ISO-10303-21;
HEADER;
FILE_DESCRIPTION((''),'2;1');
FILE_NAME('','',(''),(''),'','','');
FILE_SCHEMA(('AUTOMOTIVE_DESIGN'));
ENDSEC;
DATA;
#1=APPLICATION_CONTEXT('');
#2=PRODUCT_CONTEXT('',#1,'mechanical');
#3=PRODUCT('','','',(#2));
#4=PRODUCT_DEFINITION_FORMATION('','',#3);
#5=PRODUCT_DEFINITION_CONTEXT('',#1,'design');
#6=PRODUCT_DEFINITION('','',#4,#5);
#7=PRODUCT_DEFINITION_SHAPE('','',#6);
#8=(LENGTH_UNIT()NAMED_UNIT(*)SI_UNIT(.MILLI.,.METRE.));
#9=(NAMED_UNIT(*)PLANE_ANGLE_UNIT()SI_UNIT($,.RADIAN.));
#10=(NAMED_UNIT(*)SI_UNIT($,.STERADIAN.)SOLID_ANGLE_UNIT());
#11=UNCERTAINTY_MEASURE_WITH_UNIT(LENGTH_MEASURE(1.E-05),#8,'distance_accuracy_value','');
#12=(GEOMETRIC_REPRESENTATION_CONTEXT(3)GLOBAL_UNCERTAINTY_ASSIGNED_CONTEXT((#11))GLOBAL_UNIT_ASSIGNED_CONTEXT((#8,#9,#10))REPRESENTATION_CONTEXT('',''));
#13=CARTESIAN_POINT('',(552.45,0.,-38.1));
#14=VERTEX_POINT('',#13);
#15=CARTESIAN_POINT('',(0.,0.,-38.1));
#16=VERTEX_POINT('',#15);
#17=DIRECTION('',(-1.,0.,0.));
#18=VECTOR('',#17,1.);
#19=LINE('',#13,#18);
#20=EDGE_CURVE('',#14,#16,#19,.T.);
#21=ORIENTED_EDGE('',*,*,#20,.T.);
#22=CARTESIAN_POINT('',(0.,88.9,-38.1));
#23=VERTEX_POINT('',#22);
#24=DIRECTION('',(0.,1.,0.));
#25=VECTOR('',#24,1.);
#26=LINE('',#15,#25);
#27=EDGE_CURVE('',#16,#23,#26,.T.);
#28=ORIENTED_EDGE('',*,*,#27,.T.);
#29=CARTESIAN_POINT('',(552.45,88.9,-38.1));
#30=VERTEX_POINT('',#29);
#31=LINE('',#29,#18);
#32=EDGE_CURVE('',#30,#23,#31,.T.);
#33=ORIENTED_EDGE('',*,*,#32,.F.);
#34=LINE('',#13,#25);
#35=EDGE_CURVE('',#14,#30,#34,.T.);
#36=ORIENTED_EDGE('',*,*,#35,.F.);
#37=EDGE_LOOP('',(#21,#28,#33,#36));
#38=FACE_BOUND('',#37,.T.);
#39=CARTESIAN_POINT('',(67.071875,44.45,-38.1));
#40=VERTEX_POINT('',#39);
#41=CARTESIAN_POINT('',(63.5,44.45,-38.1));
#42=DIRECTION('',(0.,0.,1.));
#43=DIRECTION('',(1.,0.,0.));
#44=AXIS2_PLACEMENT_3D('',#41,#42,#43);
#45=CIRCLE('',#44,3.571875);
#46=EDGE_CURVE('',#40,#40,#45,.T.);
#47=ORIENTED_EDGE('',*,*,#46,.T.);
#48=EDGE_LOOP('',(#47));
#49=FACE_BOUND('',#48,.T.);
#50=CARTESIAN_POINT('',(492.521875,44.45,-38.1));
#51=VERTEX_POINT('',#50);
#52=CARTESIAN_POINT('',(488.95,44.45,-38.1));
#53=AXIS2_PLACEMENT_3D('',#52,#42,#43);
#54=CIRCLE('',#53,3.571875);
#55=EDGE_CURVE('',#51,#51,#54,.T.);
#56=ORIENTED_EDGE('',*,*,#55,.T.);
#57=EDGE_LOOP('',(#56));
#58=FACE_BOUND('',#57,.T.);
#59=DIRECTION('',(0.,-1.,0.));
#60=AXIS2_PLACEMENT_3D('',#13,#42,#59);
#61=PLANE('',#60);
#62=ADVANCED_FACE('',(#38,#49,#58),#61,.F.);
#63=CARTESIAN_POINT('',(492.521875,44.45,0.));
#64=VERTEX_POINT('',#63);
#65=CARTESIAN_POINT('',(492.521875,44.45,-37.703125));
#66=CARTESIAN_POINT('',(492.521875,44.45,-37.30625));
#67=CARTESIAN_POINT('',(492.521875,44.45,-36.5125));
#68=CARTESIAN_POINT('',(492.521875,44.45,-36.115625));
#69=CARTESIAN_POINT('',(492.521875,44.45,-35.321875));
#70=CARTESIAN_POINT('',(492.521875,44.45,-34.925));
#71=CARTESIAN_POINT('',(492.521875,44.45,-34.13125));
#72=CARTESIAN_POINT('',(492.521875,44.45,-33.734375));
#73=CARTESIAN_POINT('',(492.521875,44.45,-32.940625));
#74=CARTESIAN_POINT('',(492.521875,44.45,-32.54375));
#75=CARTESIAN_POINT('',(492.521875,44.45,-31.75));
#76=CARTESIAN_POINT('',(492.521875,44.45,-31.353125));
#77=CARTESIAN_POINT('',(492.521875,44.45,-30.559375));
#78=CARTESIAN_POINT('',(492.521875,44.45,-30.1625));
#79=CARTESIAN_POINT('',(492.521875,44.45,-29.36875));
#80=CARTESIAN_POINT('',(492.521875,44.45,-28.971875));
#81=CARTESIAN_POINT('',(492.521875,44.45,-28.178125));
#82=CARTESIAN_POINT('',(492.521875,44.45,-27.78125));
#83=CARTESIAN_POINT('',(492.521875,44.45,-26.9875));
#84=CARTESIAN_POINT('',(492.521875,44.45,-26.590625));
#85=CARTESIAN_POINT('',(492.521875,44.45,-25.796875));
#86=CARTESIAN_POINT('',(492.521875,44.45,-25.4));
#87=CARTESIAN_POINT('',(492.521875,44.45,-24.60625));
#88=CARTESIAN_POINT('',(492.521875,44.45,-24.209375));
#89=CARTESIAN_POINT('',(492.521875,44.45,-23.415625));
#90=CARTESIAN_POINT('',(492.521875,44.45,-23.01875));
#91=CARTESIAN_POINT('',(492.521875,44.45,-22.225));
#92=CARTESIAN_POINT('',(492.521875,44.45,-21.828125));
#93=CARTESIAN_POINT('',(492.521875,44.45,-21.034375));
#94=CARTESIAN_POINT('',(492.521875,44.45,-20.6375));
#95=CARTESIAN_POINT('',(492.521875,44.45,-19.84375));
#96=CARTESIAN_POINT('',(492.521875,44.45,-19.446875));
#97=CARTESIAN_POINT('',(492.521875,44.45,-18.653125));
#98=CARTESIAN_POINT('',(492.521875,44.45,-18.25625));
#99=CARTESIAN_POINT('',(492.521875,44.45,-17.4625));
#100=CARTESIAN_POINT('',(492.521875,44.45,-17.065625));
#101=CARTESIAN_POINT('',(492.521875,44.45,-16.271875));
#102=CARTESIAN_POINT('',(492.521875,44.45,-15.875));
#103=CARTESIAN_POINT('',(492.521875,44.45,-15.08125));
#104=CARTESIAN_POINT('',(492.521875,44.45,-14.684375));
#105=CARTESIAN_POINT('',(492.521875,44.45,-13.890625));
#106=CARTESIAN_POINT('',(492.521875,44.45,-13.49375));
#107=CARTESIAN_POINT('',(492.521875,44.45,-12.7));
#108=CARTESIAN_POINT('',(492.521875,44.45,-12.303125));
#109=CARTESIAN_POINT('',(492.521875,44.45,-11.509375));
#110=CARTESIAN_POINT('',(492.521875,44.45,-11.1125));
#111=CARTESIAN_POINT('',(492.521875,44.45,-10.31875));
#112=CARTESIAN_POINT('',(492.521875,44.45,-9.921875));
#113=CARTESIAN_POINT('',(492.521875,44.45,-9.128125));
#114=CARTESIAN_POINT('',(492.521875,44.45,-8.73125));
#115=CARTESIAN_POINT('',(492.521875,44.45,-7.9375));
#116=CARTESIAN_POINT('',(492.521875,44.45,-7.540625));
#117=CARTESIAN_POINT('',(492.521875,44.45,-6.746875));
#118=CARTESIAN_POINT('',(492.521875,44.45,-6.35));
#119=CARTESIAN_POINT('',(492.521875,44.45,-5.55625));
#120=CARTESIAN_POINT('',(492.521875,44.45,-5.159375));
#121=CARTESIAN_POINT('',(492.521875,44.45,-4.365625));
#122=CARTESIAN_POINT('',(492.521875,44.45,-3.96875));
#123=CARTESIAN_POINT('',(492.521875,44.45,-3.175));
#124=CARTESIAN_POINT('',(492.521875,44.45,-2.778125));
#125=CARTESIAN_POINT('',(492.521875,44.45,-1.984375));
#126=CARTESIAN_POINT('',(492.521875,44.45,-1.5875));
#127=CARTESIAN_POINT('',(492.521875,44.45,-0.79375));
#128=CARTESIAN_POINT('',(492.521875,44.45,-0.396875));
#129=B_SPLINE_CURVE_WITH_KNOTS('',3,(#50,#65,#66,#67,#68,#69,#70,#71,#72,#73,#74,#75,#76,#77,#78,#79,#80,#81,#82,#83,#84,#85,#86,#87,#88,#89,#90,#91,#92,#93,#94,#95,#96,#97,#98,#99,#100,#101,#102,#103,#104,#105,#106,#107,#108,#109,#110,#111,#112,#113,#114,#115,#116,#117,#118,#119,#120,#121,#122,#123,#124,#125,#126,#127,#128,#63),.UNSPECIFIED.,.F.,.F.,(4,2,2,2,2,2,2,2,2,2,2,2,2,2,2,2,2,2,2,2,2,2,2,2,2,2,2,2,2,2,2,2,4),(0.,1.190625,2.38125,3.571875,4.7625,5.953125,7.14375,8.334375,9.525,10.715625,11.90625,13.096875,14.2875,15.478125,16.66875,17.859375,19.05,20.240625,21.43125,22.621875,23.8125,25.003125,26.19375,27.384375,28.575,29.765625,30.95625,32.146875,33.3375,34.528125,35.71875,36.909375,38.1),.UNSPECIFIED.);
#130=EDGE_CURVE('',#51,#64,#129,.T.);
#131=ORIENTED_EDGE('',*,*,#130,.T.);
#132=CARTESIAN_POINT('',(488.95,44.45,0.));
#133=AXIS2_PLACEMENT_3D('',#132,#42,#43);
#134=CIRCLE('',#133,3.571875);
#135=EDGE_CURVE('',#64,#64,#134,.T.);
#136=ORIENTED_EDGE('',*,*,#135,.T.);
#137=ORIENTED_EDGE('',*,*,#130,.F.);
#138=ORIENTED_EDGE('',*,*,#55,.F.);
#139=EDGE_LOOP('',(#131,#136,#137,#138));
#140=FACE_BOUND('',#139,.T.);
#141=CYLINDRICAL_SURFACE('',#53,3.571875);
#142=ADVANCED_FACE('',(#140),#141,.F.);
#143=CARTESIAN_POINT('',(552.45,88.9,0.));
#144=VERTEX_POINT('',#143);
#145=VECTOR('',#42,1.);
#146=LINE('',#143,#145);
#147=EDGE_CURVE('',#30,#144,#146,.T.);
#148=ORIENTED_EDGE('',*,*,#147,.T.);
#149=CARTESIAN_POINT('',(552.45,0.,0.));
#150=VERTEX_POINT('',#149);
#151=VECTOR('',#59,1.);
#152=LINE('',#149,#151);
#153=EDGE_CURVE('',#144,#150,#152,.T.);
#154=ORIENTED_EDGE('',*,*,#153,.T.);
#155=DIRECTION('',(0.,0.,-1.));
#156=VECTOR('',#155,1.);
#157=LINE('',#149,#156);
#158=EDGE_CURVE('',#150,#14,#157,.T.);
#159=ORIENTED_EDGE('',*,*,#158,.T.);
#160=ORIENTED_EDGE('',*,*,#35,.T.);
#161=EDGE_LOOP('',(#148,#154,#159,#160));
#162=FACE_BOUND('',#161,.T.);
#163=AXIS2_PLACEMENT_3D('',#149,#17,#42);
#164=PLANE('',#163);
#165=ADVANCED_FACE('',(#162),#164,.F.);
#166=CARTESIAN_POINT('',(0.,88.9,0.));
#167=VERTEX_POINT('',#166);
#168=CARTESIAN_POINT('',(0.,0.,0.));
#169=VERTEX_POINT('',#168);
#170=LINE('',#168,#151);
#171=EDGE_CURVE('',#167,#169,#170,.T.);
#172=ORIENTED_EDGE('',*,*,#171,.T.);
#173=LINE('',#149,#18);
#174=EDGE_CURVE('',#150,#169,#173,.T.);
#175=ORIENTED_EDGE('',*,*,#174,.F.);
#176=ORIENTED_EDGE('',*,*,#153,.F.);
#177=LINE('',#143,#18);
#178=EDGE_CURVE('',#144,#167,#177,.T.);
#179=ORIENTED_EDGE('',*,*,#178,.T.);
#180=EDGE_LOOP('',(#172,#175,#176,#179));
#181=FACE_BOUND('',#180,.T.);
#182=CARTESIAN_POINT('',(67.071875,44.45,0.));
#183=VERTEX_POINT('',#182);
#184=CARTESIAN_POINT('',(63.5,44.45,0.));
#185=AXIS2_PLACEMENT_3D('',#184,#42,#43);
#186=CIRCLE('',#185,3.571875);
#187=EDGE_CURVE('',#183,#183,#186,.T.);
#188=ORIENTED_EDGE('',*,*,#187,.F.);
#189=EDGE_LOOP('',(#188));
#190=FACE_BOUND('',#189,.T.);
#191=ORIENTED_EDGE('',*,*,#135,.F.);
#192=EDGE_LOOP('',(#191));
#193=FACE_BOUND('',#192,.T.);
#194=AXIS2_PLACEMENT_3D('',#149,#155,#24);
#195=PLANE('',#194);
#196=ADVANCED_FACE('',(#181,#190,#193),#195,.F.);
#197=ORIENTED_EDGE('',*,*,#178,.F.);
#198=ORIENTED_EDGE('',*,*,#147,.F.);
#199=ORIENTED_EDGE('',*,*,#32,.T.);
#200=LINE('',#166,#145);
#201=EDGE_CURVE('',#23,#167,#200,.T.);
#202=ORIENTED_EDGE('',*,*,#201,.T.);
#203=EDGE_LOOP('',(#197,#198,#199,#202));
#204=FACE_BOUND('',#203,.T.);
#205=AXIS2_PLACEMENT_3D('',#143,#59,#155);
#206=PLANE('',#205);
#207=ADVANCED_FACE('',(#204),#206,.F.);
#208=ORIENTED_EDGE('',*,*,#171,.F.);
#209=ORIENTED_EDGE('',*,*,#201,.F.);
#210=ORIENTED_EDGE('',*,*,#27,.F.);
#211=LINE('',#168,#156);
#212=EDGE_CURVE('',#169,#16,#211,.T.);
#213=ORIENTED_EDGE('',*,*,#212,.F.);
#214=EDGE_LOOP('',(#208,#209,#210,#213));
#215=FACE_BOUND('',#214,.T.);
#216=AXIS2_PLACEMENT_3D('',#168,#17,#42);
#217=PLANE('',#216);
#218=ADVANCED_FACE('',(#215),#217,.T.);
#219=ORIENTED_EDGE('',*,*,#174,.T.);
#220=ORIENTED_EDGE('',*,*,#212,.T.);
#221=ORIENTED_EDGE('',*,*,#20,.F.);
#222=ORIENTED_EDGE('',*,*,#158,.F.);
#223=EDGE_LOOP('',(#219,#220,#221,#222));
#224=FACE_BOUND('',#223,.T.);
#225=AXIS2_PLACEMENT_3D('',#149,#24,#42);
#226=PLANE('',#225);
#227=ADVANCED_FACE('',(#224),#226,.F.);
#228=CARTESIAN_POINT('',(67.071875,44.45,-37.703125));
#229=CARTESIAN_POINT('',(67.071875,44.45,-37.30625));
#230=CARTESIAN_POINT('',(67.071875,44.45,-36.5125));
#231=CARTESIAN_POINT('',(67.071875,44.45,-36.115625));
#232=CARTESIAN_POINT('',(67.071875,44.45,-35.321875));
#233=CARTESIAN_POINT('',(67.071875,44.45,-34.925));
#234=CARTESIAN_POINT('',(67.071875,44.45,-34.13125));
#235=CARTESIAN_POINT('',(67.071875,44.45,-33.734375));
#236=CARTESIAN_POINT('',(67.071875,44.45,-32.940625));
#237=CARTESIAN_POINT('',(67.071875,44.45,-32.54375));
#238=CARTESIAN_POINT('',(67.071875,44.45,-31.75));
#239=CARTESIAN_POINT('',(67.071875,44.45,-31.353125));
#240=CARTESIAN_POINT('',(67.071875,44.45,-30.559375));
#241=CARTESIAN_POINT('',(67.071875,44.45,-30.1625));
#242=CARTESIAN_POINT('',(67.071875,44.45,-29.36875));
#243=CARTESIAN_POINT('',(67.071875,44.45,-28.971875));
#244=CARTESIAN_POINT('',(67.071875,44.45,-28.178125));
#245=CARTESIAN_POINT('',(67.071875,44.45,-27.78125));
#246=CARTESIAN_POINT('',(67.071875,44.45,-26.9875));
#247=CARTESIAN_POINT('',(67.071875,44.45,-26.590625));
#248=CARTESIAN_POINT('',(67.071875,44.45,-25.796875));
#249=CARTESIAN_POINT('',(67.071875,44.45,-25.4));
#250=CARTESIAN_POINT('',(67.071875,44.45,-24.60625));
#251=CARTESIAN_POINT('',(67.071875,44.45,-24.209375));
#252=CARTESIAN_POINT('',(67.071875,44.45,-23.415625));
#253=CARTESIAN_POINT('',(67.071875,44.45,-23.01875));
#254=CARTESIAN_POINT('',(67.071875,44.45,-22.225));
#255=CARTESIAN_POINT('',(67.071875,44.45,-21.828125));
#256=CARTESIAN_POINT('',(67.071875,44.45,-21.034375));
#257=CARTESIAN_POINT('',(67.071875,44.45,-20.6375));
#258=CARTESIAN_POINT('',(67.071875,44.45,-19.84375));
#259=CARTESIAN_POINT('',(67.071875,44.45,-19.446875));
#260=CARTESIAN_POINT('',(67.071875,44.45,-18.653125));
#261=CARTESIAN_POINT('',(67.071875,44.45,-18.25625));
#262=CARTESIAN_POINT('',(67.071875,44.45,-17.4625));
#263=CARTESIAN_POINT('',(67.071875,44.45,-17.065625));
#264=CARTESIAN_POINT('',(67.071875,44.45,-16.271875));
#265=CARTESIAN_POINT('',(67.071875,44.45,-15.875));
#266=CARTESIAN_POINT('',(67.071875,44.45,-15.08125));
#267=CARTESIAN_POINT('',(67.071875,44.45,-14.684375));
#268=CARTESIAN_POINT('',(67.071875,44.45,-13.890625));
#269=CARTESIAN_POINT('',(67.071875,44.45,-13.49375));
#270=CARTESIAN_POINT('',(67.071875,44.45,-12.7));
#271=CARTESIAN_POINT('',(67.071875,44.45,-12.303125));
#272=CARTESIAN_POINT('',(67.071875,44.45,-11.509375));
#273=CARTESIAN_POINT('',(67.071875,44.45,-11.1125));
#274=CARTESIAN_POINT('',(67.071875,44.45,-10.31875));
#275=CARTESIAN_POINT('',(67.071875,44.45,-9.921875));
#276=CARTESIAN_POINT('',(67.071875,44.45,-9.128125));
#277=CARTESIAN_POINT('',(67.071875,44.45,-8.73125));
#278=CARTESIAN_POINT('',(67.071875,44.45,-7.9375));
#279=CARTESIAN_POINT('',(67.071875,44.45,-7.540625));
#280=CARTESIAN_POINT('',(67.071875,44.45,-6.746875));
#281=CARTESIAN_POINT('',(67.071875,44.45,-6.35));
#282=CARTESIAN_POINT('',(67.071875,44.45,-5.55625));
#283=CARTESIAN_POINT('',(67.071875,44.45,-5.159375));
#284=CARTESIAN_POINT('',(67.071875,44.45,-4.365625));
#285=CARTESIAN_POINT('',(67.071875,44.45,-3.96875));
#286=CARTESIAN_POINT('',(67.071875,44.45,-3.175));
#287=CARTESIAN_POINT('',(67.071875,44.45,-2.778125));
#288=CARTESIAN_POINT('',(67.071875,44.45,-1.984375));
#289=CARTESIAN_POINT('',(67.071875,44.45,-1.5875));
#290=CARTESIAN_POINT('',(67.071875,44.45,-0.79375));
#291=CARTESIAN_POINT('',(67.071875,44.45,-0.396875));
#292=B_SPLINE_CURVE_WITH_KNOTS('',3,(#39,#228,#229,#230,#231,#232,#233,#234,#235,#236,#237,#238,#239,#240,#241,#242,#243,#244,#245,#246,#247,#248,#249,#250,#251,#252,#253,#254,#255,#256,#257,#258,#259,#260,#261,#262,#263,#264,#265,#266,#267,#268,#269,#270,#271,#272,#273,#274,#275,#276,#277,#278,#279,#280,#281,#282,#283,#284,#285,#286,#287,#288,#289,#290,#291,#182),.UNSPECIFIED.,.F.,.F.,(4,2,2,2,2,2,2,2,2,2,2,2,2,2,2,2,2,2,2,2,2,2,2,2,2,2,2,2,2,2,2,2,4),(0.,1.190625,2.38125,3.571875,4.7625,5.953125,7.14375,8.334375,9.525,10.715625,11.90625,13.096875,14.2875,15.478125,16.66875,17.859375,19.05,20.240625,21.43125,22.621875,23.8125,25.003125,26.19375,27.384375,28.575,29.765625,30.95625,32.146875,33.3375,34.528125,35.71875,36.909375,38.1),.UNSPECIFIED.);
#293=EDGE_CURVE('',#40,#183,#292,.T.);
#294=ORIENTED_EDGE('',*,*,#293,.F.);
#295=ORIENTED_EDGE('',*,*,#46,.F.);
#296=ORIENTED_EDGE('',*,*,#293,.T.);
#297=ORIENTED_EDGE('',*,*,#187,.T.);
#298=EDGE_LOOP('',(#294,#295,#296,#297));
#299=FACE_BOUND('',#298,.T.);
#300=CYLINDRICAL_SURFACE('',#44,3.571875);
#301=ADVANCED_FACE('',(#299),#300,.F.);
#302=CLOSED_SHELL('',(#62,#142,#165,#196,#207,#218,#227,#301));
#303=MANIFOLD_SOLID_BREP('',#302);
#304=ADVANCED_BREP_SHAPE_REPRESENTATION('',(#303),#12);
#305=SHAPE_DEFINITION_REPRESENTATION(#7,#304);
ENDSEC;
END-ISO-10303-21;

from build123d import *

# Parameters (mm, degrees)
SKETCH1_W           = 38.1
SKETCH1_H           = 88.9
BOSS_EXTRUDE1_DEPTH = 552.45
SKETCH2_R           = 3.571875
CUT_EXTRUDE1_DEPTH  = 561.852763655


with BuildPart() as part:
    # Sketch1 → Boss-Extrude1 (new body)
    with BuildSketch(Plane(origin=(0, 0, 0), x_dir=(0, 0, -1), z_dir=(1, 0, 0))):
        with Locations((19.05, 44.45)):
            Rectangle(SKETCH1_W, SKETCH1_H)
    extrude(amount=BOSS_EXTRUDE1_DEPTH)

    # Sketch2 → Cut-Extrude1 (cut, through all)
    with BuildSketch(Plane.XY):
        with Locations((63.5, 44.45)):
            Circle(SKETCH2_R)
        with Locations((488.95, 44.45)):
            Circle(SKETCH2_R)
    extrude(amount=-CUT_EXTRUDE1_DEPTH, mode=Mode.SUBTRACT)


solid = part.part
